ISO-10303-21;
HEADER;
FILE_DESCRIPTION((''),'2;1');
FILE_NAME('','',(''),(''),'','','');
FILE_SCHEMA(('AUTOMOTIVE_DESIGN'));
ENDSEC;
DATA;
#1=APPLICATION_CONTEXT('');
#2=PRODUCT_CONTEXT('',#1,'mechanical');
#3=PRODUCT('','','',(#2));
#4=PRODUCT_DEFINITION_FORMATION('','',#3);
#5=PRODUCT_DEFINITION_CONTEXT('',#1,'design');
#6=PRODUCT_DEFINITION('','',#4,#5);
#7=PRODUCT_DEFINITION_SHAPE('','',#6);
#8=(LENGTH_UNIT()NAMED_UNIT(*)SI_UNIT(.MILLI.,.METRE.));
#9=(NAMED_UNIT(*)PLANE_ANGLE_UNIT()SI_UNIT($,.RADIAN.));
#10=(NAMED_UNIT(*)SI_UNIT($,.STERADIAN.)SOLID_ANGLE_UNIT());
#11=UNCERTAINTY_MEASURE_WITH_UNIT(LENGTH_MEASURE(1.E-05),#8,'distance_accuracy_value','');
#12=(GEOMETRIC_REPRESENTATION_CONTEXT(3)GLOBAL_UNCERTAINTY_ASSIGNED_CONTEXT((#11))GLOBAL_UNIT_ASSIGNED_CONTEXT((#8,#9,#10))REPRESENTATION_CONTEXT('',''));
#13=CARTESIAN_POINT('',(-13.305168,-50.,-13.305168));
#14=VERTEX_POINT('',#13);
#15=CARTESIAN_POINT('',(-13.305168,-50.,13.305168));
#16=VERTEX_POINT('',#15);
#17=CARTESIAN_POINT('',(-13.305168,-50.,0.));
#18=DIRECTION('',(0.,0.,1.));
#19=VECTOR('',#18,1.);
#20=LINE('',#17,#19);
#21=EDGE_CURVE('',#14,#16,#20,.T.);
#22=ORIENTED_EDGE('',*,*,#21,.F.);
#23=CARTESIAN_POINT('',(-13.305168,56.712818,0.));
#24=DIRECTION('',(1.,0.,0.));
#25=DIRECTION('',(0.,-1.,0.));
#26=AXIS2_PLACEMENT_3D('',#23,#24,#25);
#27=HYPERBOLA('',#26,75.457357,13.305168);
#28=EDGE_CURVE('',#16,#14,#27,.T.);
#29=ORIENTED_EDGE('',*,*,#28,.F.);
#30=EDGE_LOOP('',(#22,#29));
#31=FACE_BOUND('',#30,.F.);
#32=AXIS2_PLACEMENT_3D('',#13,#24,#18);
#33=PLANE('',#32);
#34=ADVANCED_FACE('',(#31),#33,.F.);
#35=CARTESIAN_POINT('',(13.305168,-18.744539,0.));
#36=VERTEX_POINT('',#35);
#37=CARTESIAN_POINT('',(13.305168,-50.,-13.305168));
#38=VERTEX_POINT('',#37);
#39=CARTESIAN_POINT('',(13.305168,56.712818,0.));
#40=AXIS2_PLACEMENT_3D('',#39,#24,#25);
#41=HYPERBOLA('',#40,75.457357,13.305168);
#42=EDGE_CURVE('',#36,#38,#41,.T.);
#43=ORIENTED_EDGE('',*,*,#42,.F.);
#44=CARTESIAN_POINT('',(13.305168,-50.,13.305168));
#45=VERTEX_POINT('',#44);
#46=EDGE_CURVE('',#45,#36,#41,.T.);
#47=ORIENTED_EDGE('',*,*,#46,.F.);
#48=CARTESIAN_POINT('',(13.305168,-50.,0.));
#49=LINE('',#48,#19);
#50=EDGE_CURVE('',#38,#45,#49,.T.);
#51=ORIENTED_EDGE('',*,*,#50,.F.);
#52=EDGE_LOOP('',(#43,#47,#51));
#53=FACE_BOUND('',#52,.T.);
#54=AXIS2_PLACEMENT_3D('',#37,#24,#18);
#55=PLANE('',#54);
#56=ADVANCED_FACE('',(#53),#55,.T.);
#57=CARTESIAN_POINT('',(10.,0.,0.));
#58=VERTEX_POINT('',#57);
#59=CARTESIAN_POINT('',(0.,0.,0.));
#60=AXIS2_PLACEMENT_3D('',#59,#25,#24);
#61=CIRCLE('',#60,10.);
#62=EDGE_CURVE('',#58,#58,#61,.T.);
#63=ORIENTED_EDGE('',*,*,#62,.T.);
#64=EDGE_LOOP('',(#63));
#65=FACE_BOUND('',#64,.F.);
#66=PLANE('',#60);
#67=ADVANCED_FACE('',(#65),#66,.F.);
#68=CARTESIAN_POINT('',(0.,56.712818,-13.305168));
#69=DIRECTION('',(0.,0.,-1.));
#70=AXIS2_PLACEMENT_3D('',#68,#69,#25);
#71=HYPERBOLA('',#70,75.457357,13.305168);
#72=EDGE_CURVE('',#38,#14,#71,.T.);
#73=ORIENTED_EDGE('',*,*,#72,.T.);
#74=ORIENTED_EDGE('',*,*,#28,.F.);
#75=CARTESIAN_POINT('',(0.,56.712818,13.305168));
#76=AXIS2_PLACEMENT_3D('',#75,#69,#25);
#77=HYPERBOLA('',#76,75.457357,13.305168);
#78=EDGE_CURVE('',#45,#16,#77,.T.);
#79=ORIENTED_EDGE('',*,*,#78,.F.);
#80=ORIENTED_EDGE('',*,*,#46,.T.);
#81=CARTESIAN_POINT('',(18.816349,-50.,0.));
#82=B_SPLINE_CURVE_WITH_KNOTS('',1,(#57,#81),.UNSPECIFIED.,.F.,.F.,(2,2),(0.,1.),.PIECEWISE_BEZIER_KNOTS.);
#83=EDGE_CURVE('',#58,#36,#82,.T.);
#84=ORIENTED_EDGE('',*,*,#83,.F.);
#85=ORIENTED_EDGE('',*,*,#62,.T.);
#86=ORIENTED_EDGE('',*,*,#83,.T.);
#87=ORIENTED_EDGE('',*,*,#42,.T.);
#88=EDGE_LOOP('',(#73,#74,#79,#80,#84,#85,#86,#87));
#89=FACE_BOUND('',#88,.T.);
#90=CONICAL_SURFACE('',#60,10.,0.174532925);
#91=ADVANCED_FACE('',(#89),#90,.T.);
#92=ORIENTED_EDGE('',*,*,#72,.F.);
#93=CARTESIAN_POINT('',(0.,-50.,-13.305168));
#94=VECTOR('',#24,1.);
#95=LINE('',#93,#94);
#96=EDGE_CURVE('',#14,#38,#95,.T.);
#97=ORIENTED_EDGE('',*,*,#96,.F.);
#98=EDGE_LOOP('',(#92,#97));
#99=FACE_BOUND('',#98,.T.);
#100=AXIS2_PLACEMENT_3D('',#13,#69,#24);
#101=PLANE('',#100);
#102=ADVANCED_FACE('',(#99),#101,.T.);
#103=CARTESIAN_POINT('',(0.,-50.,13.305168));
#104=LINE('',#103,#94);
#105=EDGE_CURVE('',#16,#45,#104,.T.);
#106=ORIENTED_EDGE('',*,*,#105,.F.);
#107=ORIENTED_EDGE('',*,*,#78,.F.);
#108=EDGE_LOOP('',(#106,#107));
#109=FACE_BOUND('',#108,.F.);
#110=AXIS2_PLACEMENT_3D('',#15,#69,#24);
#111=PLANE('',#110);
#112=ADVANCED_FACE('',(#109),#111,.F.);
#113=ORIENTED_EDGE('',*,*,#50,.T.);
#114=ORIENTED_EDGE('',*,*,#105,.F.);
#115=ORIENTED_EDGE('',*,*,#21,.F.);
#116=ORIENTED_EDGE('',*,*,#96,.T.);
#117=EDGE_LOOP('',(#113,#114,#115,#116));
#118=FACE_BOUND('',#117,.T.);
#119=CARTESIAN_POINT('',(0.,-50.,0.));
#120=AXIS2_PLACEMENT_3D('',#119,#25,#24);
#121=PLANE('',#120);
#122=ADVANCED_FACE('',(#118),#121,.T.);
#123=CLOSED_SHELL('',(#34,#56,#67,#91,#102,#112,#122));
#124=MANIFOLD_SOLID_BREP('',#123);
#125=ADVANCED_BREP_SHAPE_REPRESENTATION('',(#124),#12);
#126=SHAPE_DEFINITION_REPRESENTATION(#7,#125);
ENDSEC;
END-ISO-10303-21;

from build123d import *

# Parameters (mm, degrees)
F0_R     = 10
F1_DEPTH = 50
F1_TAPER = -10
F2_W     = 26.6103360002
F2_H     = 26.6103360002
F3_DEPTH = 50


with BuildPart() as f1:
    # F0 (on Front) → F1 (new body)
    with BuildSketch(Plane.XZ):
        Circle(F0_R)
    extrude(amount=F1_DEPTH, taper=F1_TAPER)

    # F2 (on face) → F3 (intersect)
    with BuildSketch(Plane.XZ.offset(50)):
        Rectangle(F2_W, F2_H)
    extrude(amount=-F3_DEPTH, mode=Mode.INTERSECT)


solid = f1.part
